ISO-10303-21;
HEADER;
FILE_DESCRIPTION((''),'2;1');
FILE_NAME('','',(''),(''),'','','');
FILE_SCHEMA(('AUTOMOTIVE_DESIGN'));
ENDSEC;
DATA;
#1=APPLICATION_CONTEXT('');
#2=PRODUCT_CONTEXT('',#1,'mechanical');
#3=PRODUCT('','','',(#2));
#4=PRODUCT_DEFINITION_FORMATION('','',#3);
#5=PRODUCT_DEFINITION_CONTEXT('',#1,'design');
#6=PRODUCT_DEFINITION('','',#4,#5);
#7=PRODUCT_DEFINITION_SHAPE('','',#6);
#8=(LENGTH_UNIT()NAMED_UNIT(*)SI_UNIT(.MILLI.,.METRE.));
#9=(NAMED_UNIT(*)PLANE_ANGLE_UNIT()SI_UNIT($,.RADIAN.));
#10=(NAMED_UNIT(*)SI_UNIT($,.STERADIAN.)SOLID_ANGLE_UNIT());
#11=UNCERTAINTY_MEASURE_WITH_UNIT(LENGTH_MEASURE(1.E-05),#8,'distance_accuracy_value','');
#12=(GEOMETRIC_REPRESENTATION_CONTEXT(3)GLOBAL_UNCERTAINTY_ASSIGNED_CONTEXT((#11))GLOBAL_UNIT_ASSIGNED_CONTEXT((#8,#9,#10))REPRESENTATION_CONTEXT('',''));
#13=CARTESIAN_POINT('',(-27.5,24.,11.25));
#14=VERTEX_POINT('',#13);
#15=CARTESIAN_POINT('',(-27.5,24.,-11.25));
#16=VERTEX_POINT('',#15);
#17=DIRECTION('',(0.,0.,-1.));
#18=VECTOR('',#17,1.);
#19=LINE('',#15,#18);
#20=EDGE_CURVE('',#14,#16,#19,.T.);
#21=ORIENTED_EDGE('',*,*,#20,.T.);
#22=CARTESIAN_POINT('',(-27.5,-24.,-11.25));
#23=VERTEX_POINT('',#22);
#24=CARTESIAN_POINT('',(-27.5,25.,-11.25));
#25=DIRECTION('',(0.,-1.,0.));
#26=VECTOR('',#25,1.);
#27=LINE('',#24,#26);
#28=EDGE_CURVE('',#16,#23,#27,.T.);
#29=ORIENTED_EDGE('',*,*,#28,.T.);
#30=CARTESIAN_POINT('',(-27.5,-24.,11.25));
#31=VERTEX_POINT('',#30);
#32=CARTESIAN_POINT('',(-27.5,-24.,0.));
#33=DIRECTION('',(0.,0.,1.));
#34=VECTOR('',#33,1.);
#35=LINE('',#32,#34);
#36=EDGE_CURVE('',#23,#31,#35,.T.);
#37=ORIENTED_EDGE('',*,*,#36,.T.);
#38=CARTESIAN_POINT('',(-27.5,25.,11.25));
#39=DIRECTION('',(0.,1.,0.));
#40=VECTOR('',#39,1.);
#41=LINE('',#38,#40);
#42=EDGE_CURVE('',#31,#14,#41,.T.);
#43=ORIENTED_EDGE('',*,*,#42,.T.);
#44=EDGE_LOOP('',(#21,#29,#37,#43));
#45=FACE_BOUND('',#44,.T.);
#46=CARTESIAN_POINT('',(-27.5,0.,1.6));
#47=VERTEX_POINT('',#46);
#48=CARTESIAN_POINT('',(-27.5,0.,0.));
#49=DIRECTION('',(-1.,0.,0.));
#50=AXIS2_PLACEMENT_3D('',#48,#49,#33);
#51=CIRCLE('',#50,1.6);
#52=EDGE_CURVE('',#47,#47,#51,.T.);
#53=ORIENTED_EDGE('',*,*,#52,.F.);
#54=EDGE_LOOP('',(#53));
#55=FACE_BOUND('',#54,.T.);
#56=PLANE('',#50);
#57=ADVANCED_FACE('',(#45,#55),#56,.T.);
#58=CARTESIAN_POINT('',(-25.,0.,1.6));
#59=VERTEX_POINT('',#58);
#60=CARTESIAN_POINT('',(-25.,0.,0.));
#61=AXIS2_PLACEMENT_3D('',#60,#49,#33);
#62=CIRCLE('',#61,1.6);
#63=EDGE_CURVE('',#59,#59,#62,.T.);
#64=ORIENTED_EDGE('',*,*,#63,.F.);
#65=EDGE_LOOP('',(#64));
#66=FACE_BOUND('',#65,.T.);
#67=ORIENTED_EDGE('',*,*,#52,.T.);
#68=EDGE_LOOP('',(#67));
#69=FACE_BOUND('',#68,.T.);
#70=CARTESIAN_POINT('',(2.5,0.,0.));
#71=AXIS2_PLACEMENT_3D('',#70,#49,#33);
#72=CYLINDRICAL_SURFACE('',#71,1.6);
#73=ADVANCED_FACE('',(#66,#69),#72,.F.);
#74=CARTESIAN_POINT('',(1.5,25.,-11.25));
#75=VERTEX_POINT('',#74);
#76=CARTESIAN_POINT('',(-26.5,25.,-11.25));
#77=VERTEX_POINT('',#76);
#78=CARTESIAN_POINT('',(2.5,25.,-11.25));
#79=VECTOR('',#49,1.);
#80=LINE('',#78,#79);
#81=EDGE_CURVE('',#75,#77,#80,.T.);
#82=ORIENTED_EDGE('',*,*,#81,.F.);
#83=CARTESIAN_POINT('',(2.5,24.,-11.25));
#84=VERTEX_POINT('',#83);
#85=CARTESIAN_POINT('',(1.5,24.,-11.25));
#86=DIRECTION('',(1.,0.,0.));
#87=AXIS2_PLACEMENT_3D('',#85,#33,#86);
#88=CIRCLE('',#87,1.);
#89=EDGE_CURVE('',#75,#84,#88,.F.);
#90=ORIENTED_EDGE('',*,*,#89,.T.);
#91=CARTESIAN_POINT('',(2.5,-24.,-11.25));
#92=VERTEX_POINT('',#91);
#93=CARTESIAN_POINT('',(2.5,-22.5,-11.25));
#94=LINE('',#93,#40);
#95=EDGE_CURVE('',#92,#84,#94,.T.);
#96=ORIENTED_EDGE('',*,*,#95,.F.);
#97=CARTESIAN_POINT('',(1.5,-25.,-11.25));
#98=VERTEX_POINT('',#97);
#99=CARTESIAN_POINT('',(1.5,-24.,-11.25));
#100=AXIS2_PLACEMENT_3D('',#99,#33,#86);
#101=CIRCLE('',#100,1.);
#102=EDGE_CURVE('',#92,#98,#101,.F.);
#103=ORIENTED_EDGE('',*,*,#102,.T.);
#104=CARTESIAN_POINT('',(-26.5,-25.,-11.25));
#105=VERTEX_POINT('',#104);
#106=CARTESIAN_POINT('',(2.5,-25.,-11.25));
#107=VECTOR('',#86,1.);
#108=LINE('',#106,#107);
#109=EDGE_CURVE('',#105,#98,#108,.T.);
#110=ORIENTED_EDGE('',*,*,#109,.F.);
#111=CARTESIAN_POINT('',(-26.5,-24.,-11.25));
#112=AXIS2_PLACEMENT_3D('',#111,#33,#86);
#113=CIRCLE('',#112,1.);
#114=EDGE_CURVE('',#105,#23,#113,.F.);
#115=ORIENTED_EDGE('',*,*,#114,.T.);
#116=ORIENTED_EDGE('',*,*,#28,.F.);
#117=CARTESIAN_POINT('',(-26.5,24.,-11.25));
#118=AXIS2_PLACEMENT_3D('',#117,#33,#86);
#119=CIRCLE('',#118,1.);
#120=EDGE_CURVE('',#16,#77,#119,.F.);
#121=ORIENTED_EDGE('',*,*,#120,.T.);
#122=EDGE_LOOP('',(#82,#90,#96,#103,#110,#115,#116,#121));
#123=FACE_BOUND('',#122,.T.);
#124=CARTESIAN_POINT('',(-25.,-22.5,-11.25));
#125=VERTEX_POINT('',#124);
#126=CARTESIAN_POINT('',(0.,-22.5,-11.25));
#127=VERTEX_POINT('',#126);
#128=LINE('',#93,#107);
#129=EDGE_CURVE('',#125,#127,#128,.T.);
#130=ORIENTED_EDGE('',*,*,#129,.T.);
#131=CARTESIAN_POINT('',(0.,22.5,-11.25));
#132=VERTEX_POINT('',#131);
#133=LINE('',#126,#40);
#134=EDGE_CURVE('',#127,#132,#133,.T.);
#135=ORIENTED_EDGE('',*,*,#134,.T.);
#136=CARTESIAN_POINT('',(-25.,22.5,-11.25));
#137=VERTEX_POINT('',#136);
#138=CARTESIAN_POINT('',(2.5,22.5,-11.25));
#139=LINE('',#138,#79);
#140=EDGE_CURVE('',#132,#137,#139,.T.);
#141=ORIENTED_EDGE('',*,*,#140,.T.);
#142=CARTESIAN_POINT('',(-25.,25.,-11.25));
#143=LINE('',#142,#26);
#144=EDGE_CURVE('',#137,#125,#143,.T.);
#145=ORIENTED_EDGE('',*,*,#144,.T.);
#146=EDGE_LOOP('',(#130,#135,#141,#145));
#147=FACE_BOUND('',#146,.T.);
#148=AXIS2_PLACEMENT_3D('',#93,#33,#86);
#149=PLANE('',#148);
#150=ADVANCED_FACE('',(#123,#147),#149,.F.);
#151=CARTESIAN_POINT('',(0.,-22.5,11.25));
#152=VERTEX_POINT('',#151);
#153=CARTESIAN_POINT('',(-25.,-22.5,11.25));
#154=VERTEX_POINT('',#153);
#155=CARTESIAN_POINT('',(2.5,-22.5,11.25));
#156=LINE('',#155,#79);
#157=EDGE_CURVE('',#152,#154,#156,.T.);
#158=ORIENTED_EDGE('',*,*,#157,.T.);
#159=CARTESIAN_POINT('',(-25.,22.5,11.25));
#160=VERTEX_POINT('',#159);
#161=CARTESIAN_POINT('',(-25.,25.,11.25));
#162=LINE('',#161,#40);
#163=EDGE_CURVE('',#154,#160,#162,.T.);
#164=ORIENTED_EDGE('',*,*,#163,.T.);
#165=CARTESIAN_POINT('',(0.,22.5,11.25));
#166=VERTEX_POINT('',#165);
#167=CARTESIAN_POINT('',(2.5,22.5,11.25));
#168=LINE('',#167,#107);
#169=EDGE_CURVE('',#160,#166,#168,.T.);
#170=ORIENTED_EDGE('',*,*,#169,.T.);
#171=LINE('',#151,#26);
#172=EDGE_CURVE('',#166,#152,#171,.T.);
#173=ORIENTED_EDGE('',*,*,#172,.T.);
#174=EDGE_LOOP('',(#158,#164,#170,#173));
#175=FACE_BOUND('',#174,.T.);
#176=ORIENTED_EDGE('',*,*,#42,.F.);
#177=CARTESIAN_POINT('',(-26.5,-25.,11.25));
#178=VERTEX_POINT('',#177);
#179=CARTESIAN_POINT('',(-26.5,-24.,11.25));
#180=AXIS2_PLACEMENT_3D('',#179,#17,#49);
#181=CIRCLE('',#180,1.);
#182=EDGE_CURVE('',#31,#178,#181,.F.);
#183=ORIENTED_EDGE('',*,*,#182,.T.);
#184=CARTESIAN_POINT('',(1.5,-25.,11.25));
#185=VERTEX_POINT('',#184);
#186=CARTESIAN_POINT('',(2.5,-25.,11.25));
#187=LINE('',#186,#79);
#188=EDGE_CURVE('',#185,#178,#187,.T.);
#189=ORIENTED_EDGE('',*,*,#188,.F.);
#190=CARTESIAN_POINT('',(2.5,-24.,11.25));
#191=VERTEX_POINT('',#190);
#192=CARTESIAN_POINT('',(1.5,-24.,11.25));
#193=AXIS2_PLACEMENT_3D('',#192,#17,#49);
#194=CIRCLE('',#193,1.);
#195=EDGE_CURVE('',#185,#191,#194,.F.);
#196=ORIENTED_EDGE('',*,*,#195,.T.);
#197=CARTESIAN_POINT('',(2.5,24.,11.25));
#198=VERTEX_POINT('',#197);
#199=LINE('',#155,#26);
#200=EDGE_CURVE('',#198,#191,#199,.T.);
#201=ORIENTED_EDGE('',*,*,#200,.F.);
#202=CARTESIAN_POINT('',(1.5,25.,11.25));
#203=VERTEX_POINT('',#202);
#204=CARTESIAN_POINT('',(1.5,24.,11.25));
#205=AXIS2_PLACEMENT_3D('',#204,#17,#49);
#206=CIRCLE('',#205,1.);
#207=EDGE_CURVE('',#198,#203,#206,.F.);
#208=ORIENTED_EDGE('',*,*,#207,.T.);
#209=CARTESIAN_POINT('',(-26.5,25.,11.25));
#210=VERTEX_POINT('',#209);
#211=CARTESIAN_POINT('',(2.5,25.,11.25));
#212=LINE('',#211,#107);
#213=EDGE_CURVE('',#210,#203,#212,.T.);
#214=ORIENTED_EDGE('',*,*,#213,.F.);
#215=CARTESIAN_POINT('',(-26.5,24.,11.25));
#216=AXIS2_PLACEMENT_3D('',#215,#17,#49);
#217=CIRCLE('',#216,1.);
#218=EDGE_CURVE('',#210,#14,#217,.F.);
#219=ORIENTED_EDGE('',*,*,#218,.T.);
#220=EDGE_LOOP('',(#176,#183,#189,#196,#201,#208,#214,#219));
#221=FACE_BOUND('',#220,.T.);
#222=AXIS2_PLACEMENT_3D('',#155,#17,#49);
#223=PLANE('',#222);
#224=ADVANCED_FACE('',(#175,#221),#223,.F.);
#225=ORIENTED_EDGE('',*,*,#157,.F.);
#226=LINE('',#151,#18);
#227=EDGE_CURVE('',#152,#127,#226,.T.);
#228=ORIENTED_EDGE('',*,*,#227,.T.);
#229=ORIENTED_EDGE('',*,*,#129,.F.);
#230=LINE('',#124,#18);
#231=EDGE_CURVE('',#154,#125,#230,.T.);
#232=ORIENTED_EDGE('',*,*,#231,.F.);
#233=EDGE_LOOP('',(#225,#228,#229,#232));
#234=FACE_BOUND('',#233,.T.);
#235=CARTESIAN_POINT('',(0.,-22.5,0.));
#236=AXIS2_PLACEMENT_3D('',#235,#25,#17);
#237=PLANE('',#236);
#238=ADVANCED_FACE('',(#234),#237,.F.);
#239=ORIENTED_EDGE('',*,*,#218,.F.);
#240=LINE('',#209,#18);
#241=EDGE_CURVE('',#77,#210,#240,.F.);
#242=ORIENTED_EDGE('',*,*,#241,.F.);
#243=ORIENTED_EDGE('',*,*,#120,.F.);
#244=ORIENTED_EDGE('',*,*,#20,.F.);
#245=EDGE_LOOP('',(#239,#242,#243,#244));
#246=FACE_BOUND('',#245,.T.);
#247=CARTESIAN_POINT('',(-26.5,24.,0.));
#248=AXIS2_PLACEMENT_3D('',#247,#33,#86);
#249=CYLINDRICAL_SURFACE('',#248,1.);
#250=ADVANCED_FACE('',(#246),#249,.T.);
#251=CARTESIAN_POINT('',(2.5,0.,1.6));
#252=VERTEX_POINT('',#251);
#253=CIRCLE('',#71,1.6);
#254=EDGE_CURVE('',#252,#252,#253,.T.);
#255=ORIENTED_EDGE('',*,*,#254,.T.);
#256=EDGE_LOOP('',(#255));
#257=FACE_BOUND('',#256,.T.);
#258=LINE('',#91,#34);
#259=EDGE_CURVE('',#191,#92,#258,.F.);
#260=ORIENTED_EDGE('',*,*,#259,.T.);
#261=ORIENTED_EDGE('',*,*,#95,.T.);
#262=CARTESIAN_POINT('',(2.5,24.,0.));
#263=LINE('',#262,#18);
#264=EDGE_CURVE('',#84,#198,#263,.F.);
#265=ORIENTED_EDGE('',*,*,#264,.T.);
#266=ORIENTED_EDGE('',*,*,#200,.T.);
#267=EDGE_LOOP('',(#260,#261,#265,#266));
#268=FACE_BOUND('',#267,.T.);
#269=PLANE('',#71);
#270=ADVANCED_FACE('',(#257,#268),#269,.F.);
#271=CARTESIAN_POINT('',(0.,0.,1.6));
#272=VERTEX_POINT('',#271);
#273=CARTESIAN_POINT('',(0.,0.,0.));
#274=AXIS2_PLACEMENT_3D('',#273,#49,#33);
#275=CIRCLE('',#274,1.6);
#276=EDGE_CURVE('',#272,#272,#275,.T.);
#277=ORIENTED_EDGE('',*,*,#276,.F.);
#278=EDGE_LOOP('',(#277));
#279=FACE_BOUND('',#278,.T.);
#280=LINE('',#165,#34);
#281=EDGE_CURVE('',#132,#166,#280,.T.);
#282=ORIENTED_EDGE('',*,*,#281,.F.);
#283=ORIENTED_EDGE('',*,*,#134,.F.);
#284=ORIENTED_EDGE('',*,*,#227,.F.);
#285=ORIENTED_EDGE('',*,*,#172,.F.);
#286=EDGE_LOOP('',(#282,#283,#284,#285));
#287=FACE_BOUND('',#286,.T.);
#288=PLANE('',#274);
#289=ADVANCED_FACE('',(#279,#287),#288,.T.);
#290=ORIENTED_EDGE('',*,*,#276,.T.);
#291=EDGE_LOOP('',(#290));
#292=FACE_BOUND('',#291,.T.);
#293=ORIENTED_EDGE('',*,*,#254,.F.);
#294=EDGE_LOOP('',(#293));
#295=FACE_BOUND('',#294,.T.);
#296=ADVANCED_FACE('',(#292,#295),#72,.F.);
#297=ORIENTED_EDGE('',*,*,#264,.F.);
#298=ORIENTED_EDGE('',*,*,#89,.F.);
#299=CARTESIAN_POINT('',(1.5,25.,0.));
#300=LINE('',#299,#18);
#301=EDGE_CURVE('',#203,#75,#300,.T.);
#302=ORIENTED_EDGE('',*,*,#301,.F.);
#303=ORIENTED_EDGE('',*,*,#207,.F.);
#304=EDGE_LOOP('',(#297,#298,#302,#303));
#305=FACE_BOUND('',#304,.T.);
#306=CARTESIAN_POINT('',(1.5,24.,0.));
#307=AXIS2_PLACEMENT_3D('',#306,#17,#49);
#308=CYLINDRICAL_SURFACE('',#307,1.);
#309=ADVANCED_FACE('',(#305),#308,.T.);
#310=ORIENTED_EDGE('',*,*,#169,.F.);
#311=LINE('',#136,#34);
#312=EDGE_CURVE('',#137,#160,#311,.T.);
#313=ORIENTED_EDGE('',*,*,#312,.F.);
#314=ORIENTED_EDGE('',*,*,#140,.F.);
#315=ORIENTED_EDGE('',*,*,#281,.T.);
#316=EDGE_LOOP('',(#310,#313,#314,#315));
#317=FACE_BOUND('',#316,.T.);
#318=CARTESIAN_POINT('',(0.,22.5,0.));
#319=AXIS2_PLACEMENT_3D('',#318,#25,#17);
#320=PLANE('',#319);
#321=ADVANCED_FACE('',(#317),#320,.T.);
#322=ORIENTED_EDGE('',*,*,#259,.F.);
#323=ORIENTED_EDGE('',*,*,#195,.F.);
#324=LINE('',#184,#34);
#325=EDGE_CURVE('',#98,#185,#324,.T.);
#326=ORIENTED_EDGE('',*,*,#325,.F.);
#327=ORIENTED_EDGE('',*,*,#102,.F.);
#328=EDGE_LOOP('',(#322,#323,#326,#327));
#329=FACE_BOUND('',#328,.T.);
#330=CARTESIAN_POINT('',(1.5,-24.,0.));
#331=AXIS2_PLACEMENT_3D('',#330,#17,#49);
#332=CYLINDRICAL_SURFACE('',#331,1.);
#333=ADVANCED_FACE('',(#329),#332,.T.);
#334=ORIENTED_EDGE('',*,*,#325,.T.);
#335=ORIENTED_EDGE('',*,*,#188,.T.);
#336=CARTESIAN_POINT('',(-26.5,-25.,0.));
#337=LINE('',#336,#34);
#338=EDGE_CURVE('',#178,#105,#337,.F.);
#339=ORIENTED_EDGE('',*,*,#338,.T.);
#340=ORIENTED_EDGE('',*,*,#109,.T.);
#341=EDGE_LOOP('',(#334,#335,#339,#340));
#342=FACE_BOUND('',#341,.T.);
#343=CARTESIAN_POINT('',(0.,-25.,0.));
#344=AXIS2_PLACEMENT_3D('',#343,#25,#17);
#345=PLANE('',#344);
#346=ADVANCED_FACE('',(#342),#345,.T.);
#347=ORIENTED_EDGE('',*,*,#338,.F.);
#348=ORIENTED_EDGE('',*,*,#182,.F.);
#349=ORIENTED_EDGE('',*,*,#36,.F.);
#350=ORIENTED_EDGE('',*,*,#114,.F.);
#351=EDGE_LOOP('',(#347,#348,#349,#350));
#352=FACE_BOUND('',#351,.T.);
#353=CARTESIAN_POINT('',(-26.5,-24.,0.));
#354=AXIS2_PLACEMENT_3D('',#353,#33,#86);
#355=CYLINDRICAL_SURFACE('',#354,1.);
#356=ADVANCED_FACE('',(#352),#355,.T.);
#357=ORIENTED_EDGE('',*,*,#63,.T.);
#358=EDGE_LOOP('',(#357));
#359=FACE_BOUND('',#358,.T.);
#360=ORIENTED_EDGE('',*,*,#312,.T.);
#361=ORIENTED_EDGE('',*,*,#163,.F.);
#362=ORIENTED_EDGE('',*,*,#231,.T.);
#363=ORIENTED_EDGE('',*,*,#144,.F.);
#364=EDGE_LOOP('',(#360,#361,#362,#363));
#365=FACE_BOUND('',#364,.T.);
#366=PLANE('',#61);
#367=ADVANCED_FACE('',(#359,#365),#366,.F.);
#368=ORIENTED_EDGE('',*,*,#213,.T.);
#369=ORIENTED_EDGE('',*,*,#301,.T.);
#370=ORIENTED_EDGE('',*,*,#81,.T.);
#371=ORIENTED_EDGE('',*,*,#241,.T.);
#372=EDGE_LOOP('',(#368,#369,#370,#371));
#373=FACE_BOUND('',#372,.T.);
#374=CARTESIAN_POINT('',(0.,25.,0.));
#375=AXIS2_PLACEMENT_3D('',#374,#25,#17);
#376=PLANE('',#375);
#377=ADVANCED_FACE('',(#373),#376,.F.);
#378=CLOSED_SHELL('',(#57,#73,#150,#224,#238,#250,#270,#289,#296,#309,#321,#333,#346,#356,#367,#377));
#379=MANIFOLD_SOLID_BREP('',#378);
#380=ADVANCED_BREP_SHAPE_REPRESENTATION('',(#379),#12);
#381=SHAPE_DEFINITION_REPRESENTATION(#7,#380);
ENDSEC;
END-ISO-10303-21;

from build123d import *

# Parameters (mm, degrees)
SKETCH1_W           = 22.5
SKETCH1_H           = 45
BOSS_EXTRUDE1_DEPTH = 2.5
SKETCH2_W           = 27.5
SKETCH2_H           = 22.5
BOSS_EXTRUDE2_DEPTH = 2.5
SKETCH3_W           = 27.5
SKETCH3_H           = 22.5
BOSS_EXTRUDE3_DEPTH = 2.5
SKETCH4_W           = 22.5
SKETCH4_H           = 50
BOSS_EXTRUDE4_DEPTH = 2.5
SKETCH5_R           = 1.6
CUT_EXTRUDE1_DEPTH  = 30
FILLET2_R           = 1
FILLET3_R           = 1


with BuildPart() as part:
    # Sketch1 → Boss-Extrude1 (new body)
    with BuildSketch(Plane(origin=(0, 0, 0), x_dir=(0, 0, -1), z_dir=(1, 0, 0))):
        Rectangle(SKETCH1_W, SKETCH1_H)
    extrude(amount=BOSS_EXTRUDE1_DEPTH)

    # Sketch2 → Boss-Extrude2 (add)
    with BuildSketch(Plane(origin=(0, -22.5, 0), x_dir=(-1, 0, 0), z_dir=(0, -1, 0))):
        with Locations((11.25, 0)):
            Rectangle(SKETCH2_W, SKETCH2_H)
    extrude(amount=BOSS_EXTRUDE2_DEPTH)

    # Sketch3 → Boss-Extrude3 (add)
    with BuildSketch(Plane(origin=(0, 22.5, 0), x_dir=(1, 0, 0), z_dir=(0, 1, 0))):
        with Locations((-11.25, 0)):
            Rectangle(SKETCH3_W, SKETCH3_H)
    extrude(amount=BOSS_EXTRUDE3_DEPTH)

    # Sketch4 → Boss-Extrude4 (add)
    with BuildSketch(Plane.ZY.offset(25)):
        Rectangle(SKETCH4_W, SKETCH4_H)
    extrude(amount=BOSS_EXTRUDE4_DEPTH)

    # Sketch5 → Cut-Extrude1 (cut)
    with BuildSketch(Plane.ZY.offset(27.5)):
        Circle(SKETCH5_R)
    extrude(amount=-CUT_EXTRUDE1_DEPTH, mode=Mode.SUBTRACT)

    # Fillet2
    fillet2_edges = [part.edges().sort_by_distance(p)[0] for p in [
        (2.5, 25, 0),
        (-27.5, 25, 0),
    ]]
    fillet(fillet2_edges, radius=FILLET2_R)

    # Fillet3
    fillet3_edges = [part.edges().sort_by_distance(p)[0] for p in [
        (2.5, -25, 0),
        (-27.5, -25, 0),
    ]]
    fillet(fillet3_edges, radius=FILLET3_R)


solid = part.part
